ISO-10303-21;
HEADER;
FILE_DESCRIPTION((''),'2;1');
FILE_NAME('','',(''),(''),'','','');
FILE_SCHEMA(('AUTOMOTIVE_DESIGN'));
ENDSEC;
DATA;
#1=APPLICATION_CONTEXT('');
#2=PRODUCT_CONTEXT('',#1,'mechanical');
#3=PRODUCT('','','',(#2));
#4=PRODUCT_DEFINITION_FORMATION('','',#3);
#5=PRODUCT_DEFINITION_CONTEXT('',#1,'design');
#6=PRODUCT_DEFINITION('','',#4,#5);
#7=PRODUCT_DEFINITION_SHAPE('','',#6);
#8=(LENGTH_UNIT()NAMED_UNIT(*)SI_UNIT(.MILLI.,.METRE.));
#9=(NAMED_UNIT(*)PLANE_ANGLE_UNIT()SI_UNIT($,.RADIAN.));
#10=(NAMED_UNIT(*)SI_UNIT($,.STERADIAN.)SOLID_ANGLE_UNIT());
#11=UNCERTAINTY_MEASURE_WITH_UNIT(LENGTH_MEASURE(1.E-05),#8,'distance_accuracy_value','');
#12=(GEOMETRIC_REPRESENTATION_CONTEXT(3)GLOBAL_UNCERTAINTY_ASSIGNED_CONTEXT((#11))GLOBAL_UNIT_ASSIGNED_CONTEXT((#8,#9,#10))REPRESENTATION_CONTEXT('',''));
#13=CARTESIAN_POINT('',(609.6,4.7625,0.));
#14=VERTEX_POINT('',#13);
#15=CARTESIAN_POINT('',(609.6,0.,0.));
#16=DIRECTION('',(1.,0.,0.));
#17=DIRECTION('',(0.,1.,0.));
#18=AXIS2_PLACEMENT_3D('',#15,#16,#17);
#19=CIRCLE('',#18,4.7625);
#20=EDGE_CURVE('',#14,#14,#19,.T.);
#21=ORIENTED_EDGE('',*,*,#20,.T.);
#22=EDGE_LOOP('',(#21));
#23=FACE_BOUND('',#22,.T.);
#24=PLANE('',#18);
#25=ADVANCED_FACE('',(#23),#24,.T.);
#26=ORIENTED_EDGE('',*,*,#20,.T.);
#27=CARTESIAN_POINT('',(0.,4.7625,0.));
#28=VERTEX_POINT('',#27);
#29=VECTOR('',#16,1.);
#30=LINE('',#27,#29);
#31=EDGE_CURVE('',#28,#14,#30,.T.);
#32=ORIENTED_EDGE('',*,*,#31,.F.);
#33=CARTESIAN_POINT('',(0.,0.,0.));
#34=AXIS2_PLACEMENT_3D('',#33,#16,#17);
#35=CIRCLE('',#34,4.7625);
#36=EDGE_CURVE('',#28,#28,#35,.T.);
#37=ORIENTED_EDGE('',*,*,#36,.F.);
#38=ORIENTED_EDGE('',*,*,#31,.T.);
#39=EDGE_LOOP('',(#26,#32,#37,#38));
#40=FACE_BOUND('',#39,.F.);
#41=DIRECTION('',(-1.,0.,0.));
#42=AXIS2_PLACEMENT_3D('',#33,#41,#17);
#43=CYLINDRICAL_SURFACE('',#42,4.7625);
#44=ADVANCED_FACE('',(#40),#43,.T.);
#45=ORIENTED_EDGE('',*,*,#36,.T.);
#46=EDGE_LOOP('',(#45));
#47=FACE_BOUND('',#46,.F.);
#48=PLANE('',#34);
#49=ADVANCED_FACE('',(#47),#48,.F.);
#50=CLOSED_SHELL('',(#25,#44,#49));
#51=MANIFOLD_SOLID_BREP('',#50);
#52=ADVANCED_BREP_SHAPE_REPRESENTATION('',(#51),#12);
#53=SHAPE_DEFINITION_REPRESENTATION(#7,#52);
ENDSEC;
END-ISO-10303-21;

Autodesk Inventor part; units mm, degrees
ref_plane "YZ Plane" through (0, 0, 0) normal (1, 0, 0) x (0, 1, 0)
ref_plane "XZ Plane" through (0, 0, 0) normal (0, 1, 0) x (-1, 0, 0)
ref_plane "XY Plane" through (0, 0, 0) normal (0, 0, 1) x (1, 0, 0)
sketch "Sketch1" plane through (0, 0, 0) normal (1, 0, 0) x (0, 1, 0)
  circle A0 centre (0, 0) radius 4.7625
  dimension "d0" = 9.525
extrude "Extrusion1" add sketch "Sketch1" along normal blind 609.6
properties part number "0.375 axle"
